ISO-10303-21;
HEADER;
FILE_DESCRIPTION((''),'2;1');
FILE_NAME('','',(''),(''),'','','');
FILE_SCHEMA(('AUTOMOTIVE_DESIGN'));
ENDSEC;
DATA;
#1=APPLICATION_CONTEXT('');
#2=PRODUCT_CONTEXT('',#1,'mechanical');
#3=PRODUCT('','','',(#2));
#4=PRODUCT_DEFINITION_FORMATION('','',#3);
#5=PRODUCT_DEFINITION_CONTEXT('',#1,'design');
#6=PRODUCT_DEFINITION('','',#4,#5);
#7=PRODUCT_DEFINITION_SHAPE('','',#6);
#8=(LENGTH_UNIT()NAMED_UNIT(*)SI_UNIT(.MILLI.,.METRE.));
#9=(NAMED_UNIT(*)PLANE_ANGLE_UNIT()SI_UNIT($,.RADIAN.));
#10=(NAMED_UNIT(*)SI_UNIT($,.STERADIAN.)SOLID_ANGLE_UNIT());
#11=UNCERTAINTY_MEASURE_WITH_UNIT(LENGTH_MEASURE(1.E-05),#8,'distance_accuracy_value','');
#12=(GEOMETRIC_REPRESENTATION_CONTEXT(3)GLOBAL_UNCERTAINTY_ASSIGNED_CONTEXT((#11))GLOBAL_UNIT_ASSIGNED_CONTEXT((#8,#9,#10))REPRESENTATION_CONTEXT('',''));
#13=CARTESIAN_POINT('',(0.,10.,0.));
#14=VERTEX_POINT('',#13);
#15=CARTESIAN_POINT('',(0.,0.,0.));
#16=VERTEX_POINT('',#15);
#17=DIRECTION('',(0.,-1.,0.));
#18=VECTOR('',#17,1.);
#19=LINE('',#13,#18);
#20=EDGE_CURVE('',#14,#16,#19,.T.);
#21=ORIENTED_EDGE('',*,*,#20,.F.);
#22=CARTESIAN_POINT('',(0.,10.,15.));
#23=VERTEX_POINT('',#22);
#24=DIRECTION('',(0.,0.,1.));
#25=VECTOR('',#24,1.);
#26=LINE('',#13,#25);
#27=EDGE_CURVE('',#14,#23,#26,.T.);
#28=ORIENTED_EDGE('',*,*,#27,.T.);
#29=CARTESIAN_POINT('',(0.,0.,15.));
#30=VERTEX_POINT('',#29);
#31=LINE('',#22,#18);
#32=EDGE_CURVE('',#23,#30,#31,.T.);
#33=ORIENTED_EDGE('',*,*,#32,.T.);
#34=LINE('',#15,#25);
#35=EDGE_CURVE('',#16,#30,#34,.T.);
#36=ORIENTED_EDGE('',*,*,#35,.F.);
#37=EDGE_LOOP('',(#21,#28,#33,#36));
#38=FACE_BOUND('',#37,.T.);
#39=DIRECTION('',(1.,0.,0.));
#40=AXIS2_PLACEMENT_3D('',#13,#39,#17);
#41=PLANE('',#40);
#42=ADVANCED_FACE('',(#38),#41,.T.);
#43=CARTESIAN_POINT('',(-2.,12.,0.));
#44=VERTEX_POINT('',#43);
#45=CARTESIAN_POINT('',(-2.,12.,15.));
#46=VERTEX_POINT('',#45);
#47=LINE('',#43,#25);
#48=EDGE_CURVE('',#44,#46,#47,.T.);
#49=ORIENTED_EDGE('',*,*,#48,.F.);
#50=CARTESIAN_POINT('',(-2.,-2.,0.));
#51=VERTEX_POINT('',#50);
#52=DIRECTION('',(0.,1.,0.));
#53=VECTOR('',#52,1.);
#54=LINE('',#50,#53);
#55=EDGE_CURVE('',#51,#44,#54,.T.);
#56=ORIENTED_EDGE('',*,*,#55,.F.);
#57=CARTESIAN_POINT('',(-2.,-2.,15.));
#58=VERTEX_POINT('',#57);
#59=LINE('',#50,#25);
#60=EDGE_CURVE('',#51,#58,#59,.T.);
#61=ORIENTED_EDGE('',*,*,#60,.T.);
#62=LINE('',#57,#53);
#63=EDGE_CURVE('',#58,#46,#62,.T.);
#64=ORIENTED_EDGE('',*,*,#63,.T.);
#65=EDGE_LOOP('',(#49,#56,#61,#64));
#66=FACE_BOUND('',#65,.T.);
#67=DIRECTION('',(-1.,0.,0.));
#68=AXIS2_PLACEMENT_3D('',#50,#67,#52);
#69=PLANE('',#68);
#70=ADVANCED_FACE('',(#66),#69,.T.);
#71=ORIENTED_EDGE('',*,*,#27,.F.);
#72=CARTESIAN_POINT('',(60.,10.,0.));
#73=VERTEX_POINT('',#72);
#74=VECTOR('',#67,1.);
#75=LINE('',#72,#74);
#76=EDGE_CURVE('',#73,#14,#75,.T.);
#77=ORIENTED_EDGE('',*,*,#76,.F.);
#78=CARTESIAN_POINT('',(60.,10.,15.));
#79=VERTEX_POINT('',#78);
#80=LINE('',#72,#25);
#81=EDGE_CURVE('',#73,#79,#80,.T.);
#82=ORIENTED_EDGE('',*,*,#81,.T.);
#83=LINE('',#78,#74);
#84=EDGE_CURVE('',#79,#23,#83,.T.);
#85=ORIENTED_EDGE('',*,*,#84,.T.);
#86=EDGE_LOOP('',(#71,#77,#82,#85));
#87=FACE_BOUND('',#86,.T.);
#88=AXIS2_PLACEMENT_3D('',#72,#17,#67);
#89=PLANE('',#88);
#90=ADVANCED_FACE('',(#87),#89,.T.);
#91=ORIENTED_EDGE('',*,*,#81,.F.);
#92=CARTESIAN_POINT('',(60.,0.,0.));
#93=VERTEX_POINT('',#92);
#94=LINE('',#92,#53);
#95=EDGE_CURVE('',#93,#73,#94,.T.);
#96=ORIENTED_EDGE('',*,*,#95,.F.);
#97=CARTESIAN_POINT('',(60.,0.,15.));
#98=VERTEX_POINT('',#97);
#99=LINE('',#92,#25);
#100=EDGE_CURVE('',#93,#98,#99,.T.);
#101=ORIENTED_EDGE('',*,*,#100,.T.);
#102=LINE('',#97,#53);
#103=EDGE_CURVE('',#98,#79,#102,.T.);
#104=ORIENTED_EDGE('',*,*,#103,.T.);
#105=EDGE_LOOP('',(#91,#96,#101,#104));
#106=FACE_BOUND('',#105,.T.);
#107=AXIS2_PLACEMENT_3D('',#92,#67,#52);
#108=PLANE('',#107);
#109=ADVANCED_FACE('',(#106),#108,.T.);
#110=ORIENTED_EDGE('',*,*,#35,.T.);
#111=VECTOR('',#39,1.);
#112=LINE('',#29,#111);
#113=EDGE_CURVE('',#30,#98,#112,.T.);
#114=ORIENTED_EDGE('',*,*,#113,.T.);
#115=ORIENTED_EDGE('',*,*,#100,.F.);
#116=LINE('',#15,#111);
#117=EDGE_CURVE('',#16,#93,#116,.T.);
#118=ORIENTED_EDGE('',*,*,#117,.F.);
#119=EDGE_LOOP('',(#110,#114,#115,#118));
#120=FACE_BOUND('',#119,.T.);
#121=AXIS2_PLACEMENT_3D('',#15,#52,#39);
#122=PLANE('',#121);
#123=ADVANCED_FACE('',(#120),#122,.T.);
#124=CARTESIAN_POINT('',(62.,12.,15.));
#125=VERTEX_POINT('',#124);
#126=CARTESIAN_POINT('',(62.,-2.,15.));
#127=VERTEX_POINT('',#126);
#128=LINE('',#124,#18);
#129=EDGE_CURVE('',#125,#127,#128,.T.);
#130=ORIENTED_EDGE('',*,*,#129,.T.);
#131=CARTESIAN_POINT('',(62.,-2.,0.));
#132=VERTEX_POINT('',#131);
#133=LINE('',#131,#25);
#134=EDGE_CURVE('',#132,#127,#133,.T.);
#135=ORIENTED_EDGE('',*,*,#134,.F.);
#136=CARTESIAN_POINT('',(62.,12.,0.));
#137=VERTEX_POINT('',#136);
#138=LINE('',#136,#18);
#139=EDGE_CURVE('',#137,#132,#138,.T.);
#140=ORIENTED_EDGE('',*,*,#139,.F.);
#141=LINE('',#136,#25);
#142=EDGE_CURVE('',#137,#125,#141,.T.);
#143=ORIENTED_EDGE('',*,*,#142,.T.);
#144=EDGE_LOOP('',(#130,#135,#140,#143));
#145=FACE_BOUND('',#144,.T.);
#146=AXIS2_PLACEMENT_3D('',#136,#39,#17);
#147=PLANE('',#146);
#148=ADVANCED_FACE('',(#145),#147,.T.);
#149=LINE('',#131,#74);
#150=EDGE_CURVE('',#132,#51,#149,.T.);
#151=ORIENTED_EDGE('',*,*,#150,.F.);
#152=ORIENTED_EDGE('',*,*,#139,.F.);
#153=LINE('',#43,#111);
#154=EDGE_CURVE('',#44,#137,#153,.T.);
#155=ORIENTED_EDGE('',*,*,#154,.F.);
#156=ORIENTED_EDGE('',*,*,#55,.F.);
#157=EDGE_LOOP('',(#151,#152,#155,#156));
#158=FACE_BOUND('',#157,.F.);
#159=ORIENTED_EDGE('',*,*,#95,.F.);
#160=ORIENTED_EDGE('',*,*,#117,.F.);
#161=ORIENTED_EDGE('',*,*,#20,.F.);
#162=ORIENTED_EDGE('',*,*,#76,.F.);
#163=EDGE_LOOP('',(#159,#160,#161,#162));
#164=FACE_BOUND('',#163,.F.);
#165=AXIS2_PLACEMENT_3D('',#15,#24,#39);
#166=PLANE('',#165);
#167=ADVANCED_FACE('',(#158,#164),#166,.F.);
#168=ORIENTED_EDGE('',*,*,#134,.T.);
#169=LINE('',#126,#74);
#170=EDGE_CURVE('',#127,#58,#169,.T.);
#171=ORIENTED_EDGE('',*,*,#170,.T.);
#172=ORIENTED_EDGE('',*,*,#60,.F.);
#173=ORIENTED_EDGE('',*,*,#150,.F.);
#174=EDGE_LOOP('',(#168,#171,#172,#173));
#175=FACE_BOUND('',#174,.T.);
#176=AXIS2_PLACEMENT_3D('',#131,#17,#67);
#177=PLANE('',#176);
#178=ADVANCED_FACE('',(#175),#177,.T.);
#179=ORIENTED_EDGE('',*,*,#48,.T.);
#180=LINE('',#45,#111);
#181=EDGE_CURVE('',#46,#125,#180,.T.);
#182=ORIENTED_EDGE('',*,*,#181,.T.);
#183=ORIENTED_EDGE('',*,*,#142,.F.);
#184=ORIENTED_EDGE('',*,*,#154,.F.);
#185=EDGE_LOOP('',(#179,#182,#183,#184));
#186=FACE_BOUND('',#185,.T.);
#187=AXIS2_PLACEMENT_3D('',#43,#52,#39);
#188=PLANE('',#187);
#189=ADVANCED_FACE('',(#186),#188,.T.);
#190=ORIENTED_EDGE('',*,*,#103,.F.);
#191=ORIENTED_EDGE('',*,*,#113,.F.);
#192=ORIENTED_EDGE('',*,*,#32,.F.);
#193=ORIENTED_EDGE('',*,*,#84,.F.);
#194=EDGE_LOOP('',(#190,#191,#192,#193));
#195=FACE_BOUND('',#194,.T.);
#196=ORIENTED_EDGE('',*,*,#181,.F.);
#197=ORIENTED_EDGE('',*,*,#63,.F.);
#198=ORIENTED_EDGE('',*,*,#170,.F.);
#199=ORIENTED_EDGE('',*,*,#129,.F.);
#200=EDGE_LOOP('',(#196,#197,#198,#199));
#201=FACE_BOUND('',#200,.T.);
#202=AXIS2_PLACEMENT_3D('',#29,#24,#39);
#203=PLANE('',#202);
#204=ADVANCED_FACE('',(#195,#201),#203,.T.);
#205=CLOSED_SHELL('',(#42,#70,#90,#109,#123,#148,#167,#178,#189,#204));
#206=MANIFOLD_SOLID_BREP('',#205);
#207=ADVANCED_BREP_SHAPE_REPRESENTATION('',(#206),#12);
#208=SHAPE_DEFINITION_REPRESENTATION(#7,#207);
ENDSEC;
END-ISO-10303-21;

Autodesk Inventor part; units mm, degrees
ref_plane "YZ Plane" through (0, 0, 0) normal (1, 0, 0) x (0, 1, 0)
ref_plane "XZ Plane" through (0, 0, 0) normal (0, 1, 0) x (-1, 0, 0)
ref_plane "XY Plane" through (0, 0, 0) normal (0, 0, 1) x (1, 0, 0)
sketch "Sketch1" plane through (0, 0, 0) normal (0, 0, 1) x (1, 0, 0)
  line L0 (0, 0) -> (60, 0)
  line L1 (60, 0) -> (60, 10)
  line L2 (60, 10) -> (0, 10)
  line L3 (0, 10) -> (0, 0)
  line L4 (-2, 12) -> (62, 12)
  line L5 (62, 12) -> (62, -2)
  line L6 (62, -2) -> (-2, -2)
  line L7 (-2, -2) -> (-2, 12)
  dimension "d0" = 60
  dimension "d1" = 10
  dimension "d2" = 2
extrude "Extrusion1" add sketch "Sketch1" along normal blind 15
properties part number "Susspension Holder"
